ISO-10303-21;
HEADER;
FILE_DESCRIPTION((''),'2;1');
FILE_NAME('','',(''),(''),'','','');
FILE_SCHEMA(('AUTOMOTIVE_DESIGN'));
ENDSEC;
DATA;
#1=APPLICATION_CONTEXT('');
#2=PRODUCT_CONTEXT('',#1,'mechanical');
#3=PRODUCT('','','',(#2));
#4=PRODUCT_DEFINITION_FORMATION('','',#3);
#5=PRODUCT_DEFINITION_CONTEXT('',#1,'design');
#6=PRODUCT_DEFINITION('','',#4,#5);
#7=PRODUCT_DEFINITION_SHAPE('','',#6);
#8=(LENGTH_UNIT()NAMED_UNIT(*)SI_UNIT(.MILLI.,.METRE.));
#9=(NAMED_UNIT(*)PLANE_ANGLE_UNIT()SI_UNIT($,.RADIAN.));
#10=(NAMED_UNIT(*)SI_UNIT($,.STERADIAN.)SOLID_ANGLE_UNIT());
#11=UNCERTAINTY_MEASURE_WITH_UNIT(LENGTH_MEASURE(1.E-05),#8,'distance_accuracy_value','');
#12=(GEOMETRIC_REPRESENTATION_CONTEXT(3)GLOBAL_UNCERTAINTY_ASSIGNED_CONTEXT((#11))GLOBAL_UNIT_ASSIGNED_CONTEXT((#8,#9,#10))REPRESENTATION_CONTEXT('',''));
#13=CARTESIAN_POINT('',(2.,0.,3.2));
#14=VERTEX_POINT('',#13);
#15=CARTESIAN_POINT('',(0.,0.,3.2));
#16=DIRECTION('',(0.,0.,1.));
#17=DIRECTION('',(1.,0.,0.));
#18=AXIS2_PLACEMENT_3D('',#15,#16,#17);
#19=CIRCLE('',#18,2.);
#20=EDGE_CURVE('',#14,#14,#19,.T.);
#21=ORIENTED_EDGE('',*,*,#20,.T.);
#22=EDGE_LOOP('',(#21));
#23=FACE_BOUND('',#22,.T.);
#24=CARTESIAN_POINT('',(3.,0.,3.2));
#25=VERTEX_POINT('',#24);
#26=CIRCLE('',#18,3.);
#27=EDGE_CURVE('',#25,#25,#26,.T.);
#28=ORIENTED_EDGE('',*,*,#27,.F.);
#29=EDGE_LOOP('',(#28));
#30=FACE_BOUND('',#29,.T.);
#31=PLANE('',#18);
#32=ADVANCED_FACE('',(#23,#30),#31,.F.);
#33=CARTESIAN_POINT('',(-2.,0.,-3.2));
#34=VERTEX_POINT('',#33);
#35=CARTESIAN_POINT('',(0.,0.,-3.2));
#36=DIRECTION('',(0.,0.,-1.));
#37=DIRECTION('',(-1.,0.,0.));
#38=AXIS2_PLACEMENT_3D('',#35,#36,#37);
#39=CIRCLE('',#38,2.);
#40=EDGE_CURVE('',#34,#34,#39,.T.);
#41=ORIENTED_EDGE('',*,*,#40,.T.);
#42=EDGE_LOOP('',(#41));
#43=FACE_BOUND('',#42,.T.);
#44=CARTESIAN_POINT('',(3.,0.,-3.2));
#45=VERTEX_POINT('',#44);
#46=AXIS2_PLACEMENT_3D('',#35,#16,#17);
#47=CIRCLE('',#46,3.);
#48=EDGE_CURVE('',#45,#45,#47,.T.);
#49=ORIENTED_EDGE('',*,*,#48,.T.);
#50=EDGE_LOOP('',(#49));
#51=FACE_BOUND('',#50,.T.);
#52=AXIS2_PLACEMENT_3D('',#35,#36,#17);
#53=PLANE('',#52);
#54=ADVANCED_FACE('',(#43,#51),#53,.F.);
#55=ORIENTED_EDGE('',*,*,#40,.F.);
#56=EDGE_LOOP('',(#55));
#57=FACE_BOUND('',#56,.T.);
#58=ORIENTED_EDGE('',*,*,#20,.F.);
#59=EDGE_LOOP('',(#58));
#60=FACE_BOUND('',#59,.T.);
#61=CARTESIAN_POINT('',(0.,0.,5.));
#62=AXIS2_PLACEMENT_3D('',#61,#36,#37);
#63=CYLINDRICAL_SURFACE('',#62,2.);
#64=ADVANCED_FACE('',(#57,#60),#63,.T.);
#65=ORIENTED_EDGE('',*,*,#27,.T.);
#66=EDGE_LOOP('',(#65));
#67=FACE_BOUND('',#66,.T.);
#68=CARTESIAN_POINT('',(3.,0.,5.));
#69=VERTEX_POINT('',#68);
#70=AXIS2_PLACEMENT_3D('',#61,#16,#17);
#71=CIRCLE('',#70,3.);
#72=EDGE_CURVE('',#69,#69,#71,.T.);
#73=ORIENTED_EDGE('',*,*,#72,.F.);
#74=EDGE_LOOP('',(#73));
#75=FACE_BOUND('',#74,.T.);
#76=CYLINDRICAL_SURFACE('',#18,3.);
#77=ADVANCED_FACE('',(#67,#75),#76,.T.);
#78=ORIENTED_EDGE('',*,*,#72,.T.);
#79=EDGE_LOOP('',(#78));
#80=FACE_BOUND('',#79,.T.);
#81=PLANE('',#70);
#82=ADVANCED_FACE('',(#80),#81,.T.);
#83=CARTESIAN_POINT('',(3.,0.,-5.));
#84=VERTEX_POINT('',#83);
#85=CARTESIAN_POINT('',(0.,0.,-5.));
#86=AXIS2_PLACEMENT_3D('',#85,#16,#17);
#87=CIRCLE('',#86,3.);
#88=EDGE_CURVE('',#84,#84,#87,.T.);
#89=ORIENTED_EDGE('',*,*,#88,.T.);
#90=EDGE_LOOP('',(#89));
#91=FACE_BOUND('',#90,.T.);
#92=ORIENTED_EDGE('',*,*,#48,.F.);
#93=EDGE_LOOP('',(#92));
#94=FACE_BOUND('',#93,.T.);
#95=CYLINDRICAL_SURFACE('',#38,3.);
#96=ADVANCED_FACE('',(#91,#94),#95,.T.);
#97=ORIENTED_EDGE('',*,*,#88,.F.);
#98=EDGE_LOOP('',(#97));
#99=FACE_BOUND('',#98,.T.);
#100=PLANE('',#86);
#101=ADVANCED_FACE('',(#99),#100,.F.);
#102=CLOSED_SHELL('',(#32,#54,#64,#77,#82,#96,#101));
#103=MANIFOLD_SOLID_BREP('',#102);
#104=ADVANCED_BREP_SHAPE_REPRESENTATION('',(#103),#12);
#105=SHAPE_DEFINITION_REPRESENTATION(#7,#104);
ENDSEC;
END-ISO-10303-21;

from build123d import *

# Parameters (mm, degrees)
SKETCH1_R           = 2
BOSS_EXTRUDE1_DEPTH = 5
SKETCH2_R           = 3
BOSS_EXTRUDE2_DEPTH = 1.8


with BuildPart() as part:
    # Sketch1 → Boss-Extrude1 (new body, symmetric)
    with BuildSketch(Plane.XY):
        Circle(SKETCH1_R)
    extrude(amount=BOSS_EXTRUDE1_DEPTH, both=True)

    # Sketch2 → Boss-Extrude2 (add)
    with BuildSketch(Plane.XY.offset(5)):
        Circle(SKETCH2_R)
    boss_extrude2 = extrude(amount=-BOSS_EXTRUDE2_DEPTH)

    # Mirror1: Boss-Extrude2 across plane
    add(boss_extrude2.mirror(Plane.XY))


solid = part.part
